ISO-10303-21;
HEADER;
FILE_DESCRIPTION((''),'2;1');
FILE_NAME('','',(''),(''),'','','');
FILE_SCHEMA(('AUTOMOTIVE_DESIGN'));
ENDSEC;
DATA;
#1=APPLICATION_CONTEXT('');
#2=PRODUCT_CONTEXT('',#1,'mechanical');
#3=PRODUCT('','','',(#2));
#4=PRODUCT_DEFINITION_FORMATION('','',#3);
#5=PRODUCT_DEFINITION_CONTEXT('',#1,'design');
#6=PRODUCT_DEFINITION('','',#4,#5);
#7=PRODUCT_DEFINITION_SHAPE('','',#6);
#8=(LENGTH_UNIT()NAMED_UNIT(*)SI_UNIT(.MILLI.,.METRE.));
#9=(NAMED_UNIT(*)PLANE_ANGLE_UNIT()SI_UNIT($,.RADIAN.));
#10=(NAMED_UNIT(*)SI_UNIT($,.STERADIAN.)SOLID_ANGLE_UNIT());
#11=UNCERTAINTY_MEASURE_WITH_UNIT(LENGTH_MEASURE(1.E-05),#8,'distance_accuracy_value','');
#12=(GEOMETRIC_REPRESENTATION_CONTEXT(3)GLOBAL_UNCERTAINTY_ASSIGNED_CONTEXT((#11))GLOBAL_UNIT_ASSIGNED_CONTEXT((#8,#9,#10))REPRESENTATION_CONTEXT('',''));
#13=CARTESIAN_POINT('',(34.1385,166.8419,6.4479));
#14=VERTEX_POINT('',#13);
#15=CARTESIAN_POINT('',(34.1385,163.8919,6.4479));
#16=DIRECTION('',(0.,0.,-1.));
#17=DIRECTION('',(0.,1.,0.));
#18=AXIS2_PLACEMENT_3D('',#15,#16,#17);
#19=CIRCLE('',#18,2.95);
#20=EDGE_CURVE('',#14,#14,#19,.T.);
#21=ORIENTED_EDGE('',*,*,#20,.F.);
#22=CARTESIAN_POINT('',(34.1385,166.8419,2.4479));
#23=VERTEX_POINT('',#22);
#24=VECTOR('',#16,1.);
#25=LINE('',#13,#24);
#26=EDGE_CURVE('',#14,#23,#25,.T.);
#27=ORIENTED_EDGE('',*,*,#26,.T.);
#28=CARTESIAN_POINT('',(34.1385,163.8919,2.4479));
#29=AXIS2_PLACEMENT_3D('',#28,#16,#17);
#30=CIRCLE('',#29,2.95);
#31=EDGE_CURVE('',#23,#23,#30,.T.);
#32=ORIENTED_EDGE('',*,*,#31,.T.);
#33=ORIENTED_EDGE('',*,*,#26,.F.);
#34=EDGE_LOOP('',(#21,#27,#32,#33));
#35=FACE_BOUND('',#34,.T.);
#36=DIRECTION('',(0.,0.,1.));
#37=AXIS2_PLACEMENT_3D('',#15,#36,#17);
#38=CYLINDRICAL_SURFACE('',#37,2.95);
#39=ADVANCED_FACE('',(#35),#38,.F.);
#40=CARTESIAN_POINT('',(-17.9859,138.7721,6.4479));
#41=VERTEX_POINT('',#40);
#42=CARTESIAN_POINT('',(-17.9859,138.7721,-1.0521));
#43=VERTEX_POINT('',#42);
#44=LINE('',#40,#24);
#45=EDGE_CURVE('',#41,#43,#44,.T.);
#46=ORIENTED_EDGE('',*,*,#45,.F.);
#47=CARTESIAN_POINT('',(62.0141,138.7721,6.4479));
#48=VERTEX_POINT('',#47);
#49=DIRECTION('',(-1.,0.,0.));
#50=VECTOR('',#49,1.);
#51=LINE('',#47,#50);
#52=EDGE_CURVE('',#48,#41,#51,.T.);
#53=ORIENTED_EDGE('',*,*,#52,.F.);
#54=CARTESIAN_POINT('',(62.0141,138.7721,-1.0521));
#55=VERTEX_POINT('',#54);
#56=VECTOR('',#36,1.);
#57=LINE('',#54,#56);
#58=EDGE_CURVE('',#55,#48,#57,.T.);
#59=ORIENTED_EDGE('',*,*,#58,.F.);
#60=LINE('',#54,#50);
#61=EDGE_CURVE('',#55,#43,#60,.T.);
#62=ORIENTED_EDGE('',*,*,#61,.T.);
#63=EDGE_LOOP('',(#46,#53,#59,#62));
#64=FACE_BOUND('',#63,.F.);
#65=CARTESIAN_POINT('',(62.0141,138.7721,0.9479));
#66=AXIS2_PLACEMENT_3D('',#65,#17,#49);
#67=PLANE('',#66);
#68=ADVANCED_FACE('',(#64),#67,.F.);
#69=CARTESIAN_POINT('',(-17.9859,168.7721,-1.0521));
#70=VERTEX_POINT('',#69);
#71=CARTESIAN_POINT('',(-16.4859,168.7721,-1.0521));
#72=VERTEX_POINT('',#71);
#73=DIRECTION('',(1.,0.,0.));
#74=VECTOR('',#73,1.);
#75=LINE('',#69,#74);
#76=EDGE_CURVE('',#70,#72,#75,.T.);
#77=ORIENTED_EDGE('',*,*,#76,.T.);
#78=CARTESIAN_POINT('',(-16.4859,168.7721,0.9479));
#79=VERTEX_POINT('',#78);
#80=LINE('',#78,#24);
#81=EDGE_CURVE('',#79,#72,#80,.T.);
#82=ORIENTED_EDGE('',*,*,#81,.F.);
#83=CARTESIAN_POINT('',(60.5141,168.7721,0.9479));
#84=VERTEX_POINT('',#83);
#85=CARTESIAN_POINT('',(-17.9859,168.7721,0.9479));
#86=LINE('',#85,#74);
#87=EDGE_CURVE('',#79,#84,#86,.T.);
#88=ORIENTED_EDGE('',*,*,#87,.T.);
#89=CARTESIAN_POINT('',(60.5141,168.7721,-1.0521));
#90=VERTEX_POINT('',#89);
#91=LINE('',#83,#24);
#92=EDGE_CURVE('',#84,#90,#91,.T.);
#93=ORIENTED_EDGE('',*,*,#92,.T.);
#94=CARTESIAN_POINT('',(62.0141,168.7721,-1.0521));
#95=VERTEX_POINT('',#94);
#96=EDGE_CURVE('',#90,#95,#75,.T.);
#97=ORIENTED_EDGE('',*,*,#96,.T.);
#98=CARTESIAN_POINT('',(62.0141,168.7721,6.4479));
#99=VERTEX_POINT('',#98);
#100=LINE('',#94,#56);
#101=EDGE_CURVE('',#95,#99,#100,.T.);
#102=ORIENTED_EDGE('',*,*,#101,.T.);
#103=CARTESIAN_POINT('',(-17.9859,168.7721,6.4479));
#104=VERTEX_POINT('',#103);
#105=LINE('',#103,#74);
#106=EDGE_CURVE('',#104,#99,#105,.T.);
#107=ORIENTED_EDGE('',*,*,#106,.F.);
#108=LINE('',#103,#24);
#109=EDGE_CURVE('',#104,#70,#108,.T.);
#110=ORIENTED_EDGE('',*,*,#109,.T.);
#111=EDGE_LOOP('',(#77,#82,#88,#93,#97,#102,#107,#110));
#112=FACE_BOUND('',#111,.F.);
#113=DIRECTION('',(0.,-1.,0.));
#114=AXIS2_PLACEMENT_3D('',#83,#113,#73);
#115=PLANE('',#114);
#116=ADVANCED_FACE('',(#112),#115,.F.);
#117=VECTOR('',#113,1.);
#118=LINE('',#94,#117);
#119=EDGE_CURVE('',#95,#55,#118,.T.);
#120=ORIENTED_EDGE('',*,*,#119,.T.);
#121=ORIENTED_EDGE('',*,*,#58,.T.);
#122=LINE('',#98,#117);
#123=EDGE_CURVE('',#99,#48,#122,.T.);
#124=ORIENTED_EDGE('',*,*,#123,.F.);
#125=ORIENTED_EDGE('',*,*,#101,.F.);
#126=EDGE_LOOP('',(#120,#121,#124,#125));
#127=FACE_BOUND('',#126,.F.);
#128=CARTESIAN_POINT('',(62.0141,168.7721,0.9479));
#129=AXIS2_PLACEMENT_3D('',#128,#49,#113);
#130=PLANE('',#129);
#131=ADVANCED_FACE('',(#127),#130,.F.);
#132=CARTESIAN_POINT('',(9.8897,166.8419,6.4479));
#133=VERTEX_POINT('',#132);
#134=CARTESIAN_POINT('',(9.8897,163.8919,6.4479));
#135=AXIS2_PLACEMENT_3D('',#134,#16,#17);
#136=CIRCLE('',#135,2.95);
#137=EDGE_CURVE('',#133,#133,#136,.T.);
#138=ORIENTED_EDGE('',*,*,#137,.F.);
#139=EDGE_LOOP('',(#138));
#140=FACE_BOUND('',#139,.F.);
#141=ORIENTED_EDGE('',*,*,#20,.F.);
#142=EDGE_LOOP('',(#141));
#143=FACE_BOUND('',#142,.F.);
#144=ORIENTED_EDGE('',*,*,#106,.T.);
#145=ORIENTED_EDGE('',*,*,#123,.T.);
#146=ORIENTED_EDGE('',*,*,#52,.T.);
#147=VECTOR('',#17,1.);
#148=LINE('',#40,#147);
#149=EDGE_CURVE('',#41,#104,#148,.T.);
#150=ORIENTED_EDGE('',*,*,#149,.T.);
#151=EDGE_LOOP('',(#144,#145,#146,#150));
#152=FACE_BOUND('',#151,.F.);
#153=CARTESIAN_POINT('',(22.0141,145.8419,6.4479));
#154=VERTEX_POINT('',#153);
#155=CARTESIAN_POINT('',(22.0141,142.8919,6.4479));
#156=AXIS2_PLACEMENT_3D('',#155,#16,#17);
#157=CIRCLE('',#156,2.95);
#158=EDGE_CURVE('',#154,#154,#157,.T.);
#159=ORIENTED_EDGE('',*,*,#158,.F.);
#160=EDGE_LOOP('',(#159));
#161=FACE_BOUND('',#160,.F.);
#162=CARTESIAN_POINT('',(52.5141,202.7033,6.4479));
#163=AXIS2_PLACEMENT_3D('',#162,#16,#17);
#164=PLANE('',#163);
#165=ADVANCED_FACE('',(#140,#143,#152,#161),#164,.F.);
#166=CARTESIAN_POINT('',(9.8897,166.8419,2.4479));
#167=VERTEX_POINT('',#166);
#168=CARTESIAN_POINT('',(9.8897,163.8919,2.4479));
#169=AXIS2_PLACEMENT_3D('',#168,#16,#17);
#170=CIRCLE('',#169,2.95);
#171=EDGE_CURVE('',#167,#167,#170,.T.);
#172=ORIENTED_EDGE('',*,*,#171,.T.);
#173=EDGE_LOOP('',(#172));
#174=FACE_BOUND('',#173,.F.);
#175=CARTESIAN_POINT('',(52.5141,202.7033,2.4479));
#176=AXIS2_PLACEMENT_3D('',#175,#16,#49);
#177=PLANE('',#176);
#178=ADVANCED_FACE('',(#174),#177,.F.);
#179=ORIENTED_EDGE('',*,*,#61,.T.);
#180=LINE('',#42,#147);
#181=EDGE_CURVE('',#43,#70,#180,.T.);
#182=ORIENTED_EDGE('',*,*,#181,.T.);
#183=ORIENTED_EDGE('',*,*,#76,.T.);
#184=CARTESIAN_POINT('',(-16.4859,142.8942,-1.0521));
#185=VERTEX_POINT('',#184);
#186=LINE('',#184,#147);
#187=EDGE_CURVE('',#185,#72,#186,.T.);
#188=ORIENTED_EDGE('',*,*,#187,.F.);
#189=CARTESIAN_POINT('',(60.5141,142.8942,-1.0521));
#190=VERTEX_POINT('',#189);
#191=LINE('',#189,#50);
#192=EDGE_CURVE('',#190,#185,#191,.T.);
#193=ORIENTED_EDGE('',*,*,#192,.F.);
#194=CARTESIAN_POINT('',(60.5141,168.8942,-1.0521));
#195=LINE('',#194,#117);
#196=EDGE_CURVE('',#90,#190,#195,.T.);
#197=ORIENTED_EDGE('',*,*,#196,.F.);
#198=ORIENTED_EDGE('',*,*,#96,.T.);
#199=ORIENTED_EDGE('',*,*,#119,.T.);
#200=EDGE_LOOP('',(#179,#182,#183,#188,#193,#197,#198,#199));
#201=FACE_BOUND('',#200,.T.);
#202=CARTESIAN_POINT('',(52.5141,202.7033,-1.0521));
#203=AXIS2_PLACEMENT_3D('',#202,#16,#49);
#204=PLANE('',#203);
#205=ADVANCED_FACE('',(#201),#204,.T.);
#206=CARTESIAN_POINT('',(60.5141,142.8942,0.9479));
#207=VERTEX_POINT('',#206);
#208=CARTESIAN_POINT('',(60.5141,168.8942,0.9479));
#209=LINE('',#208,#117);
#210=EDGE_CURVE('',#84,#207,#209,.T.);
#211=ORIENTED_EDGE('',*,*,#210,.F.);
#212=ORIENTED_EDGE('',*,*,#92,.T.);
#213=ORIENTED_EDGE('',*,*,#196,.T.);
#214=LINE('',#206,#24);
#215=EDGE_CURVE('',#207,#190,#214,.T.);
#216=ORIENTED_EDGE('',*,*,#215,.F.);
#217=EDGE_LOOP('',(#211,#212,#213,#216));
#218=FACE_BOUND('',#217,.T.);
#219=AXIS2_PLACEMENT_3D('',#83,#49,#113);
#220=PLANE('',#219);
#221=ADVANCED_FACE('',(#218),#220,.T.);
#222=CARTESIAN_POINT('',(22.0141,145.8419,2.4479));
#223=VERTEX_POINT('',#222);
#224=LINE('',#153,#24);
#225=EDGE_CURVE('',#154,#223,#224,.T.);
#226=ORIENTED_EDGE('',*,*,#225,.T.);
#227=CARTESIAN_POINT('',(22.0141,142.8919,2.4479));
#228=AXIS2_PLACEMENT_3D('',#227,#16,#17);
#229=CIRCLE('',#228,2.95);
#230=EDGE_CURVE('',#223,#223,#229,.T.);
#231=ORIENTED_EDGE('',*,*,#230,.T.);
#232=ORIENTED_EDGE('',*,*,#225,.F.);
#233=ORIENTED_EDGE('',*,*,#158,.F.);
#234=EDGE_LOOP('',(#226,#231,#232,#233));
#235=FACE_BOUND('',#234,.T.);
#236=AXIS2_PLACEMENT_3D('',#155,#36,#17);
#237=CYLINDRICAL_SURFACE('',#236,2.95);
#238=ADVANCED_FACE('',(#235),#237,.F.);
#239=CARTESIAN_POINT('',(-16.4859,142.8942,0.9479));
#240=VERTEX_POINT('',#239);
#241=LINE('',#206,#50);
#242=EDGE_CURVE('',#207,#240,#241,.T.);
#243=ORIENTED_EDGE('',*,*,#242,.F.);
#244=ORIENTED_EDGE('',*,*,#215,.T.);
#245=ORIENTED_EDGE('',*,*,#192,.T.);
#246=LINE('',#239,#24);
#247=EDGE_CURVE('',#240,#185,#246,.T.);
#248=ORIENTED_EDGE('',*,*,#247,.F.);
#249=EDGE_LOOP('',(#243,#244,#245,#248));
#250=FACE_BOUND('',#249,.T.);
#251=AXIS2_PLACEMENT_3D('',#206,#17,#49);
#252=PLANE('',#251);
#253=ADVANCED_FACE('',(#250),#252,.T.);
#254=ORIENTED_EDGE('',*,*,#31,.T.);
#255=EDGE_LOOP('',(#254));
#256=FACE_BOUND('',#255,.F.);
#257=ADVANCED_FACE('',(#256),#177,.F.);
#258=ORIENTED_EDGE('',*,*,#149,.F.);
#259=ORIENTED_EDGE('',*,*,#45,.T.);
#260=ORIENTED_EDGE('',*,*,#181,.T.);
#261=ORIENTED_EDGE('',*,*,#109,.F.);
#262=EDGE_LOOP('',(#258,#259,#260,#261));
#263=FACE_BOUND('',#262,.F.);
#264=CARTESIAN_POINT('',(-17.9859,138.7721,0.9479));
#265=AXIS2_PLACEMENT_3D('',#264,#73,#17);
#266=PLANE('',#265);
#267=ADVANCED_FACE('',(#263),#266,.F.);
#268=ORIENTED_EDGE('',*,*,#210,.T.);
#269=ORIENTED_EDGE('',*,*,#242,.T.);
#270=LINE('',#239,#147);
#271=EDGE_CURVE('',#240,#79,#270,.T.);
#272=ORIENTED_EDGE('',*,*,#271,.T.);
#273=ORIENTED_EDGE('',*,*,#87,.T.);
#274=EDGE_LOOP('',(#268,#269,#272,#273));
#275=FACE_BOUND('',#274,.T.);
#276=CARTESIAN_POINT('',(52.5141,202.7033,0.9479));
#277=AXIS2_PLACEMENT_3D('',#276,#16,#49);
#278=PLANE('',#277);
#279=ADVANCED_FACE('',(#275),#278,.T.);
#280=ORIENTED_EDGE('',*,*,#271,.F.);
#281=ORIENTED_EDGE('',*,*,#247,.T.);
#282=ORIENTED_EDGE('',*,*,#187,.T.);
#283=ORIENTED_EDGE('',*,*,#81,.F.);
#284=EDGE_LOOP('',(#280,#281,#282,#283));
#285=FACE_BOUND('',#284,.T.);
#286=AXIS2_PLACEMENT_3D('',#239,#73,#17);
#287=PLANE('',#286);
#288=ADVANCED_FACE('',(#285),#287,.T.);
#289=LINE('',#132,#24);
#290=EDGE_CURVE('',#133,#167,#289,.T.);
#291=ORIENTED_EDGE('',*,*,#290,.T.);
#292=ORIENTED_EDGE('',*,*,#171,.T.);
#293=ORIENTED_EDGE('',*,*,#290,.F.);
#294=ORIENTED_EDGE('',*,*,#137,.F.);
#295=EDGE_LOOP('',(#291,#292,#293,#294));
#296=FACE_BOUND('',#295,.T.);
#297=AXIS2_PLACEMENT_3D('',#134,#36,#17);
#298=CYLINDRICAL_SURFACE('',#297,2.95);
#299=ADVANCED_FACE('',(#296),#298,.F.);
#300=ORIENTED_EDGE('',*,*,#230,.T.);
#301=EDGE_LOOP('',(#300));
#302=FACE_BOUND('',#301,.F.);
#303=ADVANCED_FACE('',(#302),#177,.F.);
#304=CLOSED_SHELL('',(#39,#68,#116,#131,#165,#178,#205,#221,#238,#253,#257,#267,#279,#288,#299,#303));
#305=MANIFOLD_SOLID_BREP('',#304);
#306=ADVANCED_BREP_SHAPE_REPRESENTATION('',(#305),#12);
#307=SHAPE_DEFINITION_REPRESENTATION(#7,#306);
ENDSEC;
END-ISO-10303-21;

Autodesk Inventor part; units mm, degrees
ref_plane "YZ Plane" through (0, 0, 0) normal (1, 0, 0) x (0, 1, 0)
ref_plane "XZ Plane" through (0, 0, 0) normal (0, 1, 0) x (-1, 0, 0)
ref_plane "XY Plane" through (0, 0, 0) normal (0, 0, 1) x (1, 0, 0)
ref_plane "Work Plane1" through (52.5141, 202.7033, 6.4479) normal (0, 0, -1) x (0, 1, 0)
sketch "Sketch1" plane through (52.5141, 202.7033, 6.4479) normal (0, 0, -1) x (0, 1, 0)
  circle A0 centre (-59.8114, -30.5) radius 2.95
  circle A1 centre (-38.8114, -18.3756) radius 2.95
  circle A2 centre (-38.8114, -42.6244) radius 2.95 construction
  circle A3 centre (-38.8114, -42.6244) radius 2.95
  line L0 (-38.8114, -42.6244) -> (-38.8114, -18.3756) construction
  line L1 (-38.8114, -18.3756) -> (-59.8114, -30.5) construction
  line L2 (-59.8114, -30.5) -> (-38.8114, -42.6244) construction
  line L3 (-63.9312, 9.5) -> (-63.9312, -70.5)
  line L4 (-63.9312, -70.5) -> (-33.9312, -70.5)
  line L5 (-33.9312, -70.5) -> (-33.9312, 9.5)
  line L6 (-33.9312, 9.5) -> (-63.9312, 9.5)
  line L7 (-63.9312, 9.5) -> (-33.9312, -70.5) construction
  line L8 (-63.9312, -70.5) -> (-33.9312, 9.5) construction
  point P0 (-202.7033, -52.5141)
  point P1 (-56.7146, -27.9576)
  point P2 (-59.6434, -27.5548)
  point P3 (-59.6434, -33.4452)
  dimension "d4" = 5.9
  dimension "d5" = 5.9
  dimension "d6" = 5.9
  dimension "d37" = 80
  dimension "d38" = 30
extrude "Extrusion1" add sketch "Sketch1" along normal blind 4
sketch "Sketch2" plane through (52.5141, 202.7033, 2.4479) normal (0, 0, -1) x (-1, 0, 0)
  circle A0 centre (42.6244, -38.8114) radius 2.95 projected
  circle A1 centre (18.3756, -38.8114) radius 2.95 projected
  circle A2 centre (30.5, -59.8114) radius 2.95 projected
  line L0 (-9.5, -63.9312) -> (70.5, -63.9312) projected
  line L1 (70.5, -63.9312) -> (70.5, -33.9312) projected
  line L2 (70.5, -33.9312) -> (-9.5, -33.9312) projected
  line L3 (-9.5, -33.9312) -> (-9.5, -63.9312) projected
  point P0 (52.5141, -202.7033)
extrude "Extrusion2" add sketch "Sketch2" along normal blind 1.5 contours A0 | A1 | A2 | L3 L2 L1 L0
sketch "Skizze7" plane through (52.5141, 202.7033, 0.9479) normal (0, 0, -1) x (-1, 0, 0)
  line L0 (70.5, -63.9312) -> (70.5, -33.9312) projected
  line L1 (70.5, -33.9312) -> (-9.5, -33.9312) projected
  line L2 (-9.5, -33.9312) -> (-9.5, -63.9312) projected
  line L3 (-9.5, -63.9312) -> (70.5, -63.9312) projected
  line L4 (-8, -59.8091) -> (69, -59.8091)
  line L5 (69, -59.8091) -> (69, -33.8091)
  line L6 (69, -33.8091) -> (-8, -33.8091)
  line L7 (-8, -33.8091) -> (-8, -59.8091)
  line L8 (-8, -59.8091) -> (69, -33.8091) construction
  line L9 (69, -59.8091) -> (-8, -33.8091) construction
  line L10 (70.5, -33.9312) -> (-9.5, -33.9312) projected
  point P0 (52.5141, -202.7033)
  point P1 (30.5, -46.8091)
  point P2 (69, -33.9312)
  point P3 (-8, -33.9312)
  point P4 (69, -33.9312)
  dimension "d39" = 77
  dimension "d40" = 26
extrude "Extrusion7" add sketch "Skizze7" along normal blind 2 contours L3 L2 L1 L7 L4 L5 L0
ref_plane "Arbeitsebene2" through (22.0141, 138.7722, 6.4479) normal (-1, 0, 0) x (0, 0, 1)
properties part number "00_cellSTORM_v5_chiptray_slidesize"
